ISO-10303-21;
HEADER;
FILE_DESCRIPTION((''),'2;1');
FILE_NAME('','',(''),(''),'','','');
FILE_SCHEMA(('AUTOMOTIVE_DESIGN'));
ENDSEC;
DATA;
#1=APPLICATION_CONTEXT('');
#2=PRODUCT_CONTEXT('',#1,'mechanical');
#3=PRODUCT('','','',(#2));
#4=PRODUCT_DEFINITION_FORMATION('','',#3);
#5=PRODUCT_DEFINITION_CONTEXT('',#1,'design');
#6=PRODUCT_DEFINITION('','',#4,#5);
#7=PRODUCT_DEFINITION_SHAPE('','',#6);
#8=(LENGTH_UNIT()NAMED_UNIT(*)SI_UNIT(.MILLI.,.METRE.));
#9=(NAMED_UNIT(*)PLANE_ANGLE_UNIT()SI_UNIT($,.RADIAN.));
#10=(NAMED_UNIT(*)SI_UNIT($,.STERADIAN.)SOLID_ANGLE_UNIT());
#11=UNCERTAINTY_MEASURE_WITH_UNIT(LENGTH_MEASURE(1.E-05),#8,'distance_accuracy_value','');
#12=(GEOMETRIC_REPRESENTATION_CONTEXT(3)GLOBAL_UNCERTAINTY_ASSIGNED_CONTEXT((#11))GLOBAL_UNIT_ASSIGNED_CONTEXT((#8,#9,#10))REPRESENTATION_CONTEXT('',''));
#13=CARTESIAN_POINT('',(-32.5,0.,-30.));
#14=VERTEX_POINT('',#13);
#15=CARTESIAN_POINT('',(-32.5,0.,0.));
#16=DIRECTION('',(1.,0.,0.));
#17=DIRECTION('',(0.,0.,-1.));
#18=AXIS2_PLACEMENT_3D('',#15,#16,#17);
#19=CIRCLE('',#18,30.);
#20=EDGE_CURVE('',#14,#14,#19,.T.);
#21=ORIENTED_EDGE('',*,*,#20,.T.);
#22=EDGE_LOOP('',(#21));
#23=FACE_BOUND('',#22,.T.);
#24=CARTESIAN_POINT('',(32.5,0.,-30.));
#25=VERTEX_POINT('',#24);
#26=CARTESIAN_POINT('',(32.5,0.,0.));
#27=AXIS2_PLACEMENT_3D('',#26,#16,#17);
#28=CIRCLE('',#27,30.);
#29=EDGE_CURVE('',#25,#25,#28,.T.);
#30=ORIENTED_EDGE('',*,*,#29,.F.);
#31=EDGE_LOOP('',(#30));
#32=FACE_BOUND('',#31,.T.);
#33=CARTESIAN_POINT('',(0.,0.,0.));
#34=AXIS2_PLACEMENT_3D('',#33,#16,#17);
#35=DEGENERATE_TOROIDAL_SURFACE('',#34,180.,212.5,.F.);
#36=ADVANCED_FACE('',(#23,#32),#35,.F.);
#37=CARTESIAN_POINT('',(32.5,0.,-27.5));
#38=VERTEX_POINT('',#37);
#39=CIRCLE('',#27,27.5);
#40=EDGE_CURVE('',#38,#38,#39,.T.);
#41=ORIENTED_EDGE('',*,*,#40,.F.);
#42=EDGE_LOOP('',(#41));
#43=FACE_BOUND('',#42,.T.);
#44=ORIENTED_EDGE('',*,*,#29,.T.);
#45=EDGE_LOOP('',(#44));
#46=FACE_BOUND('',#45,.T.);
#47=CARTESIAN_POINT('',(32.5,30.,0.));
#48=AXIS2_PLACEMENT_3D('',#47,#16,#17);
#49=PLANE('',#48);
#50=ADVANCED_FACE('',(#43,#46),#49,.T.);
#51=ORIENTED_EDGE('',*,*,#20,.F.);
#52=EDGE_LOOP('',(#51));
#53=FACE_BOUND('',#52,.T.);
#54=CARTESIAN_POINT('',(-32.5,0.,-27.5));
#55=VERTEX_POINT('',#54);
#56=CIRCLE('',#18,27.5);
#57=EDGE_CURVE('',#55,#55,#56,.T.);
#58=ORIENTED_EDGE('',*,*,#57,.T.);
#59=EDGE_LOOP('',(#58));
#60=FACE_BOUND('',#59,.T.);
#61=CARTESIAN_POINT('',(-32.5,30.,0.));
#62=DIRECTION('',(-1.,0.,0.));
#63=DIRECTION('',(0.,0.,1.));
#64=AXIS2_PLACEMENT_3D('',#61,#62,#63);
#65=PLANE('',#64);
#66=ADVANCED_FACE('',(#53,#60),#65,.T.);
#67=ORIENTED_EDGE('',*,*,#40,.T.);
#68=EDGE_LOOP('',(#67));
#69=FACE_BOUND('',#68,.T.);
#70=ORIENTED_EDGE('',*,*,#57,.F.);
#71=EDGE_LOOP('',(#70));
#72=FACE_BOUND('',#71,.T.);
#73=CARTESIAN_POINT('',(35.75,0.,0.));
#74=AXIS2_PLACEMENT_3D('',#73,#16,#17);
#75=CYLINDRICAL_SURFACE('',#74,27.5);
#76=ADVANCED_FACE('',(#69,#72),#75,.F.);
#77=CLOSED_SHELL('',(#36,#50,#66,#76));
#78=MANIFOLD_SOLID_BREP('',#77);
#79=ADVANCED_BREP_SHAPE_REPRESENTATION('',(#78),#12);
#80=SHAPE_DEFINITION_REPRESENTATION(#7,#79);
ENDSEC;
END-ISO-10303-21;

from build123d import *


with BuildPart() as part:
    # Skizze2 → Rotation1 (revolve)
    with BuildSketch(Plane.XY):
        with BuildLine():
            Line((-32.5, 27.5), (32.5, 27.5))
            Line((32.5, 27.5), (32.5, 30))
            ThreePointArc((32.5, 30), (0, 32.5), (-32.5, 30))
            Line((-32.5, 30), (-32.5, 27.5))
        make_face()
    revolve(axis=Axis((35.75, 0, 0), (-1, 0, 0)))


solid = part.part
